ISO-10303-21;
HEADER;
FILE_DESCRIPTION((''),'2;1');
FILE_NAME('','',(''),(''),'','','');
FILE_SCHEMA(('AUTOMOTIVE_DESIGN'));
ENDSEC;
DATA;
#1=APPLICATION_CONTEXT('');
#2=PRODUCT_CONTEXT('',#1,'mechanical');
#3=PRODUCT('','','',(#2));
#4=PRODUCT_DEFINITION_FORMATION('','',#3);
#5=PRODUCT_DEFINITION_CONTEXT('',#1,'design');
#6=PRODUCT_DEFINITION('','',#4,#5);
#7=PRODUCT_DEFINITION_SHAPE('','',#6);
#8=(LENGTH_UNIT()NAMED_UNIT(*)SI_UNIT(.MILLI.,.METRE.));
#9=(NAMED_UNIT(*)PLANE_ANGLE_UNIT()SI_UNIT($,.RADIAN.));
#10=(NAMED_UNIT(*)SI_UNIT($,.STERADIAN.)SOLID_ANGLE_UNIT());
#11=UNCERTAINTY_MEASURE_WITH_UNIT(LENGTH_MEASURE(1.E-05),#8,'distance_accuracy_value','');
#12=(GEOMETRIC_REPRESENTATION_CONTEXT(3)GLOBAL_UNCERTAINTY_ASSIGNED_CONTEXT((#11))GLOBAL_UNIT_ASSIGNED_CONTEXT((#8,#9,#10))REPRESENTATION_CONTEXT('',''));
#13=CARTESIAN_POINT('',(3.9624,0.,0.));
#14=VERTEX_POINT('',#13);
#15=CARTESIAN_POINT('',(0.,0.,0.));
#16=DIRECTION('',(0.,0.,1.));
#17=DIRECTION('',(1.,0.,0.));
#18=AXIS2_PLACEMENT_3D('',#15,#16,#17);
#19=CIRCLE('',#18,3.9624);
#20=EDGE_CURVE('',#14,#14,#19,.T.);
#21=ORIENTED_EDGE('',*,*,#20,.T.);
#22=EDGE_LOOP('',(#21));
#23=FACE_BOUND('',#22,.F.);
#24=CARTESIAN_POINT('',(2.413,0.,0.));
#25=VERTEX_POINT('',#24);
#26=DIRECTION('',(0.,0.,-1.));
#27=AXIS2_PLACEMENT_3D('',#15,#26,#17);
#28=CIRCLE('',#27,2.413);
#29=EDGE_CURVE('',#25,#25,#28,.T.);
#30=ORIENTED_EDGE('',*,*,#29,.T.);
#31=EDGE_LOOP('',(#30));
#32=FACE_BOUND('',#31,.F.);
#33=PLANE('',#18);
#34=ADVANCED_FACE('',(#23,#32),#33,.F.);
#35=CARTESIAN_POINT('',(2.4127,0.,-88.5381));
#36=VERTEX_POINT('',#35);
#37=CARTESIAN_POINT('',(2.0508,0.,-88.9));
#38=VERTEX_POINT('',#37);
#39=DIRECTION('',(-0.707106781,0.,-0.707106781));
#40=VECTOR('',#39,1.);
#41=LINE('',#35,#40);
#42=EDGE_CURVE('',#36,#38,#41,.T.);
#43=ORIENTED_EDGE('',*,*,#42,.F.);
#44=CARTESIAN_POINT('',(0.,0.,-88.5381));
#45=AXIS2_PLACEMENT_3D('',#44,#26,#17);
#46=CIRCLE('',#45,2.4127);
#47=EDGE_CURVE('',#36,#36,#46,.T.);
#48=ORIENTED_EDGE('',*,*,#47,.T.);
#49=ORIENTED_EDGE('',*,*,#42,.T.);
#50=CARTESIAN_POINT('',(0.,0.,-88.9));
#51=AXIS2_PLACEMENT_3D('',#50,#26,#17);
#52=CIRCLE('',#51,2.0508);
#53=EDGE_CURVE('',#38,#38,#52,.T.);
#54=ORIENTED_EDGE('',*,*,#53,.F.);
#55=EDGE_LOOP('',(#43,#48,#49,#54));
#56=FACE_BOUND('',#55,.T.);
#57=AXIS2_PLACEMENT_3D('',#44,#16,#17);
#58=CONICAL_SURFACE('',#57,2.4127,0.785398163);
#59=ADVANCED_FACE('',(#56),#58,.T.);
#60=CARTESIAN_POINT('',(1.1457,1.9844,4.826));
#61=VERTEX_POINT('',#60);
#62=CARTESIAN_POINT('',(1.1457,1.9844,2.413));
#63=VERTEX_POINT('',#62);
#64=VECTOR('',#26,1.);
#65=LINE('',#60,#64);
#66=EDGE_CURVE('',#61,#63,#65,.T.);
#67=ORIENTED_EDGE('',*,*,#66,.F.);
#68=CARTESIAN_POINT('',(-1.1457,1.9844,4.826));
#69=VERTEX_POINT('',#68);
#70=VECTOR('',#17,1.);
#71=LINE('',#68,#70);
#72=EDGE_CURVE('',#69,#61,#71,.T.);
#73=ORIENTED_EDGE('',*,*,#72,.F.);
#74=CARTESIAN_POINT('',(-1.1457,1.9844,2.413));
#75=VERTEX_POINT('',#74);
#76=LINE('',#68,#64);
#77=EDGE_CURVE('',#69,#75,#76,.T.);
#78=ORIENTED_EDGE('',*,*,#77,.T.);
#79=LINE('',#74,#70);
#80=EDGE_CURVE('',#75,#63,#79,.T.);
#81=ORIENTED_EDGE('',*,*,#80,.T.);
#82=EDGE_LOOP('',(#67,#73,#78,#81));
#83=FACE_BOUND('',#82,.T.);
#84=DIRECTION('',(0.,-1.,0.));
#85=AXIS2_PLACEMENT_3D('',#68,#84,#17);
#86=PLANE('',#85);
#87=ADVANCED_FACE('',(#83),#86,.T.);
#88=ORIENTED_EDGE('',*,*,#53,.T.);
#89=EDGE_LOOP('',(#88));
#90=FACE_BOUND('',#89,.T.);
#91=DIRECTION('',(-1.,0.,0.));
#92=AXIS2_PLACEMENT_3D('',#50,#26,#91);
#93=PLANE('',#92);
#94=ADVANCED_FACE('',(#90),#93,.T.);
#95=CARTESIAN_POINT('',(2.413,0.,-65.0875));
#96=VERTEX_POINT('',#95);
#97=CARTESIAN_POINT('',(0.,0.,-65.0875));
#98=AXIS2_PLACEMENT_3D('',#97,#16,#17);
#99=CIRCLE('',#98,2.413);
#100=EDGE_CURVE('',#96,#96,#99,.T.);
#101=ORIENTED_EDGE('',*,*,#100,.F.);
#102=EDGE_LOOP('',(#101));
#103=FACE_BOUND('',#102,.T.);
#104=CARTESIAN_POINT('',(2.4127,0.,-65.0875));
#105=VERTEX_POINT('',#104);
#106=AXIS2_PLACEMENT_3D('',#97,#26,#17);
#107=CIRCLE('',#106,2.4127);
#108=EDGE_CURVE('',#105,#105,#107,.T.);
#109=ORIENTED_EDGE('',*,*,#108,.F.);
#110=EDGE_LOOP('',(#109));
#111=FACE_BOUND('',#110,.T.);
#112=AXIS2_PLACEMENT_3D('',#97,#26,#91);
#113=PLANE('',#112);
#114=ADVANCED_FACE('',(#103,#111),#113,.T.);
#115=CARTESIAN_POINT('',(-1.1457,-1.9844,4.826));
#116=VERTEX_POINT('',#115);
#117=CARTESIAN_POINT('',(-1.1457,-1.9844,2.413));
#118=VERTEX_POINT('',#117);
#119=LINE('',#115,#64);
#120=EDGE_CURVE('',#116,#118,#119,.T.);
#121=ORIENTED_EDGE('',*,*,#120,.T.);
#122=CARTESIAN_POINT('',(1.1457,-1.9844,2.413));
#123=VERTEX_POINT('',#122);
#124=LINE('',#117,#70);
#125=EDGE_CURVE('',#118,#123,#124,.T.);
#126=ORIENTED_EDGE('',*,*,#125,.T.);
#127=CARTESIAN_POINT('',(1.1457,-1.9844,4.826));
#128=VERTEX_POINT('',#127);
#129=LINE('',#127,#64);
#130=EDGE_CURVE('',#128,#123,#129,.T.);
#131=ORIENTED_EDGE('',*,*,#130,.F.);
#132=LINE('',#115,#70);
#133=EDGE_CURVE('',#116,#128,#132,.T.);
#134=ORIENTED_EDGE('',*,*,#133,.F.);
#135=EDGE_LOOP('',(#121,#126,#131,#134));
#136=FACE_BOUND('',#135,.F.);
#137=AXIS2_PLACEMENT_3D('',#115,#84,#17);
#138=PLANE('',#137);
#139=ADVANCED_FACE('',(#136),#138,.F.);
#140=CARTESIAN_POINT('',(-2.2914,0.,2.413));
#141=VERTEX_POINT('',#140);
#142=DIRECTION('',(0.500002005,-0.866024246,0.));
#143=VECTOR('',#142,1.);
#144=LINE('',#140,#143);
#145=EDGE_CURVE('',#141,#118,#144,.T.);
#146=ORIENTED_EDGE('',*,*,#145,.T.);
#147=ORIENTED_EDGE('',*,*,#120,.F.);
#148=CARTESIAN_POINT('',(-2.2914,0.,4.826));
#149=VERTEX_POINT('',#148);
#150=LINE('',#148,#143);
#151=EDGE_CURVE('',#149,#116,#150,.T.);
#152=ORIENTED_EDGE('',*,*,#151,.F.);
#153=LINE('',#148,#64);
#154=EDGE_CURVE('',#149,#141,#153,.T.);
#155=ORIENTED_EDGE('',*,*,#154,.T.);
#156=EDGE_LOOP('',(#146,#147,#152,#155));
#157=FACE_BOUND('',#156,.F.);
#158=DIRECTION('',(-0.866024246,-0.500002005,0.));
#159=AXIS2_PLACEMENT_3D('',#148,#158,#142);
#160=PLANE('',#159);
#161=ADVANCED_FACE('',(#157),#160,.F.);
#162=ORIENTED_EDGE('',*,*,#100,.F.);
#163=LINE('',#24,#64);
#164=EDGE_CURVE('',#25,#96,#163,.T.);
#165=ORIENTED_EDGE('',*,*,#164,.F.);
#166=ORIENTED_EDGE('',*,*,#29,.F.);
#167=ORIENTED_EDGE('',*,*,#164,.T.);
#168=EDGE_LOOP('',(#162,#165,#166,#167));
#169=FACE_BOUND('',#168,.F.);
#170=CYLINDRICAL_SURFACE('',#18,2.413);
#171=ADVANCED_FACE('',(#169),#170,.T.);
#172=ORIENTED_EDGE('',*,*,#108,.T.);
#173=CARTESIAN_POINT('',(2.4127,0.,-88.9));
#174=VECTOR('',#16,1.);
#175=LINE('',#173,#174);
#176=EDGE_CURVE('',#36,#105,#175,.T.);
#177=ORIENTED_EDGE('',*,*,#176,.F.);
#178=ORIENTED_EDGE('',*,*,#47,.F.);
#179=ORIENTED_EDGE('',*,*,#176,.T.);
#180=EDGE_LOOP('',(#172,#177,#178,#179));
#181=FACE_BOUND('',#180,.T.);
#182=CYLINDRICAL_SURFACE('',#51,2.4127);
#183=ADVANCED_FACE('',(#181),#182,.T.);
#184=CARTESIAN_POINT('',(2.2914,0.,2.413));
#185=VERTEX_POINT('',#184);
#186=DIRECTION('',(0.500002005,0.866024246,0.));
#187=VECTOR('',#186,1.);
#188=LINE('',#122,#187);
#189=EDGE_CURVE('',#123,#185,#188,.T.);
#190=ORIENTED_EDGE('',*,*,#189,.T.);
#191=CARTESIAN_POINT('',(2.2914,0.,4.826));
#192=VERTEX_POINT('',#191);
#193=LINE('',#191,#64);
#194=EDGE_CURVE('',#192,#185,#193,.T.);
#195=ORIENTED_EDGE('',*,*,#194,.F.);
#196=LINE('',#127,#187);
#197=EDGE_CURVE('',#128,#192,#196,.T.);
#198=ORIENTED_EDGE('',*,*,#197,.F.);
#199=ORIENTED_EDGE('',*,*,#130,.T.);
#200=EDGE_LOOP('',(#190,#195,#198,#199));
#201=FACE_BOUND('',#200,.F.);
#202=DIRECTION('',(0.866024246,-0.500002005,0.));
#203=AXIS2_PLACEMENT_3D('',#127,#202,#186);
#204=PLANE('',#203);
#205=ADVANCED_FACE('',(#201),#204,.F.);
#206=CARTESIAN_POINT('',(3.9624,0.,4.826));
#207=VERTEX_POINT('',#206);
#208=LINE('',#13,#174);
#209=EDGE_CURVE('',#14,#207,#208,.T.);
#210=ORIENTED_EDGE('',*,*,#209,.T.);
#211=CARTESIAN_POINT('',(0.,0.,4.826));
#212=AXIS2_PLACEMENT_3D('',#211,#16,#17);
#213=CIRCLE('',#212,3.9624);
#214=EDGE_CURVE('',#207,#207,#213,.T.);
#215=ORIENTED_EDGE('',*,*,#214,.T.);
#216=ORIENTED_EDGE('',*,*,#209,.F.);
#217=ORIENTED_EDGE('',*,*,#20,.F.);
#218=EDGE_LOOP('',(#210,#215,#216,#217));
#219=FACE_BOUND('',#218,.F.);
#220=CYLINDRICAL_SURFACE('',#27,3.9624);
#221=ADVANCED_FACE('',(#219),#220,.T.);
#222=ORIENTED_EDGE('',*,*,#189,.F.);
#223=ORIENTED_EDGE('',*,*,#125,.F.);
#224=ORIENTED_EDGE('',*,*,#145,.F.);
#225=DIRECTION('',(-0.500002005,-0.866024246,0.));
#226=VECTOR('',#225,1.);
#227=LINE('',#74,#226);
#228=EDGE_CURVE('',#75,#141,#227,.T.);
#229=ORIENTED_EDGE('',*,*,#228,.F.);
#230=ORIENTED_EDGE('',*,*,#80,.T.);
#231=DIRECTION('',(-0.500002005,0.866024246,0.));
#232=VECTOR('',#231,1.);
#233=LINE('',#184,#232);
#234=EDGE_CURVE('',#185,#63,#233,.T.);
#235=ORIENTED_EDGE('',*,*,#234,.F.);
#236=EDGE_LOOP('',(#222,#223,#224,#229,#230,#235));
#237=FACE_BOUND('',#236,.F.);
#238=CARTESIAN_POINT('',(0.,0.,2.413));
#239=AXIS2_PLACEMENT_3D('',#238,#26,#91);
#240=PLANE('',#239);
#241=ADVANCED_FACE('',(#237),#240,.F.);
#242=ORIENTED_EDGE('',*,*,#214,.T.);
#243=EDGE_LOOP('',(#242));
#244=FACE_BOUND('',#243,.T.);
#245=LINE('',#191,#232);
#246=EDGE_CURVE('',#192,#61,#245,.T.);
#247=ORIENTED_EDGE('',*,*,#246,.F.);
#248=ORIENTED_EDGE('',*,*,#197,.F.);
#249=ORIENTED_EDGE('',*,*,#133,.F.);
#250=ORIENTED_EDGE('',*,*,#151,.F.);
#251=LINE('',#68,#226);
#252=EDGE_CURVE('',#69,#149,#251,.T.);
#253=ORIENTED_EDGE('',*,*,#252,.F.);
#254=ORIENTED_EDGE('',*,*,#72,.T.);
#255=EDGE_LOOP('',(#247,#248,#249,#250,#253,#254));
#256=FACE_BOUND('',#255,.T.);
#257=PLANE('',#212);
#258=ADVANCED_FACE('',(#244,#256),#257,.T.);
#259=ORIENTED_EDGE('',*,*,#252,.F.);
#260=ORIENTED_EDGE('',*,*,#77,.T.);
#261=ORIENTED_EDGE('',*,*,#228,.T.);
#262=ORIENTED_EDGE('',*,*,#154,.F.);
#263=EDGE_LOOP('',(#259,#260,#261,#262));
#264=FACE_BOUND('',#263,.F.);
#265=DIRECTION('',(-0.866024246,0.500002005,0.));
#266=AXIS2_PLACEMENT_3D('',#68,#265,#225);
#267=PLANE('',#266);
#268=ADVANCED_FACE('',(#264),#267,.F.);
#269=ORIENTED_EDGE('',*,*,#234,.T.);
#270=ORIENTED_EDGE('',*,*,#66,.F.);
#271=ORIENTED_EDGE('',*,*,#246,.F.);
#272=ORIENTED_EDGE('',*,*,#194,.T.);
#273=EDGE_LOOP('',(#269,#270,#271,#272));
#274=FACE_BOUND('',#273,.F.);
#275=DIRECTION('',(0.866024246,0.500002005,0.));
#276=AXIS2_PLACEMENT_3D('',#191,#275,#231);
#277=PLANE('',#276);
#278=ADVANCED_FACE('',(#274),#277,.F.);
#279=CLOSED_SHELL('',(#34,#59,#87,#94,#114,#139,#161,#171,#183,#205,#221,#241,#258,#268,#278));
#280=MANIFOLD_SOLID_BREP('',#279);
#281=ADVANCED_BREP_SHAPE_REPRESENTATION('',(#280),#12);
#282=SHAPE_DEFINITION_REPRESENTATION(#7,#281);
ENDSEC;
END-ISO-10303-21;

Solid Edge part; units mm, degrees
sketch "Sketch1" plane through (0, 0, 0) normal (0, 0, 1) x (1, 0, 0)
  circle A0 centre (0, 0) radius 3.9624
  dimension "D1" = 7.9248
extrude "Protrusion1" add sketch "Sketch1" along normal blind 4.826
sketch "Sketch2" plane through (0, 0, 0) normal (0, 0, -1) x (1, 0, 0)
  circle A0 centre (0, 0) radius 2.413
extrude "Protrusion2" add sketch "Sketch2" along normal blind 88.9
sketch "Sketch3" plane through (0, 0, -88.9) normal (0, 0, -1) x (1, 0, 0)
  circle A0 centre (0, 0) radius 2.4127
extrude "Cutout1" cut sketch "Sketch3" against normal blind 23.8125 flip side to cut
chamfer "Chamfer_1" distance 0.3619 angle 45 1 edges at (-2.4127, 0, -88.9)
sketch "Sketch4" plane through (0, 0, 4.826) normal (0, 0, 1) x (1, 0, 0)
  line L0 (-1.1457, 1.9844) -> (1.1457, 1.9844)
  line L1 (2.2914, 0) -> (1.1457, 1.9844)
  line L2 (1.1457, -1.9844) -> (2.2914, 0)
  line L3 (-1.1457, -1.9844) -> (1.1457, -1.9844)
  line L4 (-2.2914, 0) -> (-1.1457, -1.9844)
  line L5 (-1.1457, 1.9844) -> (-2.2914, 0)
  dimension "D1" = 3.9688
extrude "Cutout2" cut sketch "Sketch4" against normal blind 2.413
properties part number "24102059"
